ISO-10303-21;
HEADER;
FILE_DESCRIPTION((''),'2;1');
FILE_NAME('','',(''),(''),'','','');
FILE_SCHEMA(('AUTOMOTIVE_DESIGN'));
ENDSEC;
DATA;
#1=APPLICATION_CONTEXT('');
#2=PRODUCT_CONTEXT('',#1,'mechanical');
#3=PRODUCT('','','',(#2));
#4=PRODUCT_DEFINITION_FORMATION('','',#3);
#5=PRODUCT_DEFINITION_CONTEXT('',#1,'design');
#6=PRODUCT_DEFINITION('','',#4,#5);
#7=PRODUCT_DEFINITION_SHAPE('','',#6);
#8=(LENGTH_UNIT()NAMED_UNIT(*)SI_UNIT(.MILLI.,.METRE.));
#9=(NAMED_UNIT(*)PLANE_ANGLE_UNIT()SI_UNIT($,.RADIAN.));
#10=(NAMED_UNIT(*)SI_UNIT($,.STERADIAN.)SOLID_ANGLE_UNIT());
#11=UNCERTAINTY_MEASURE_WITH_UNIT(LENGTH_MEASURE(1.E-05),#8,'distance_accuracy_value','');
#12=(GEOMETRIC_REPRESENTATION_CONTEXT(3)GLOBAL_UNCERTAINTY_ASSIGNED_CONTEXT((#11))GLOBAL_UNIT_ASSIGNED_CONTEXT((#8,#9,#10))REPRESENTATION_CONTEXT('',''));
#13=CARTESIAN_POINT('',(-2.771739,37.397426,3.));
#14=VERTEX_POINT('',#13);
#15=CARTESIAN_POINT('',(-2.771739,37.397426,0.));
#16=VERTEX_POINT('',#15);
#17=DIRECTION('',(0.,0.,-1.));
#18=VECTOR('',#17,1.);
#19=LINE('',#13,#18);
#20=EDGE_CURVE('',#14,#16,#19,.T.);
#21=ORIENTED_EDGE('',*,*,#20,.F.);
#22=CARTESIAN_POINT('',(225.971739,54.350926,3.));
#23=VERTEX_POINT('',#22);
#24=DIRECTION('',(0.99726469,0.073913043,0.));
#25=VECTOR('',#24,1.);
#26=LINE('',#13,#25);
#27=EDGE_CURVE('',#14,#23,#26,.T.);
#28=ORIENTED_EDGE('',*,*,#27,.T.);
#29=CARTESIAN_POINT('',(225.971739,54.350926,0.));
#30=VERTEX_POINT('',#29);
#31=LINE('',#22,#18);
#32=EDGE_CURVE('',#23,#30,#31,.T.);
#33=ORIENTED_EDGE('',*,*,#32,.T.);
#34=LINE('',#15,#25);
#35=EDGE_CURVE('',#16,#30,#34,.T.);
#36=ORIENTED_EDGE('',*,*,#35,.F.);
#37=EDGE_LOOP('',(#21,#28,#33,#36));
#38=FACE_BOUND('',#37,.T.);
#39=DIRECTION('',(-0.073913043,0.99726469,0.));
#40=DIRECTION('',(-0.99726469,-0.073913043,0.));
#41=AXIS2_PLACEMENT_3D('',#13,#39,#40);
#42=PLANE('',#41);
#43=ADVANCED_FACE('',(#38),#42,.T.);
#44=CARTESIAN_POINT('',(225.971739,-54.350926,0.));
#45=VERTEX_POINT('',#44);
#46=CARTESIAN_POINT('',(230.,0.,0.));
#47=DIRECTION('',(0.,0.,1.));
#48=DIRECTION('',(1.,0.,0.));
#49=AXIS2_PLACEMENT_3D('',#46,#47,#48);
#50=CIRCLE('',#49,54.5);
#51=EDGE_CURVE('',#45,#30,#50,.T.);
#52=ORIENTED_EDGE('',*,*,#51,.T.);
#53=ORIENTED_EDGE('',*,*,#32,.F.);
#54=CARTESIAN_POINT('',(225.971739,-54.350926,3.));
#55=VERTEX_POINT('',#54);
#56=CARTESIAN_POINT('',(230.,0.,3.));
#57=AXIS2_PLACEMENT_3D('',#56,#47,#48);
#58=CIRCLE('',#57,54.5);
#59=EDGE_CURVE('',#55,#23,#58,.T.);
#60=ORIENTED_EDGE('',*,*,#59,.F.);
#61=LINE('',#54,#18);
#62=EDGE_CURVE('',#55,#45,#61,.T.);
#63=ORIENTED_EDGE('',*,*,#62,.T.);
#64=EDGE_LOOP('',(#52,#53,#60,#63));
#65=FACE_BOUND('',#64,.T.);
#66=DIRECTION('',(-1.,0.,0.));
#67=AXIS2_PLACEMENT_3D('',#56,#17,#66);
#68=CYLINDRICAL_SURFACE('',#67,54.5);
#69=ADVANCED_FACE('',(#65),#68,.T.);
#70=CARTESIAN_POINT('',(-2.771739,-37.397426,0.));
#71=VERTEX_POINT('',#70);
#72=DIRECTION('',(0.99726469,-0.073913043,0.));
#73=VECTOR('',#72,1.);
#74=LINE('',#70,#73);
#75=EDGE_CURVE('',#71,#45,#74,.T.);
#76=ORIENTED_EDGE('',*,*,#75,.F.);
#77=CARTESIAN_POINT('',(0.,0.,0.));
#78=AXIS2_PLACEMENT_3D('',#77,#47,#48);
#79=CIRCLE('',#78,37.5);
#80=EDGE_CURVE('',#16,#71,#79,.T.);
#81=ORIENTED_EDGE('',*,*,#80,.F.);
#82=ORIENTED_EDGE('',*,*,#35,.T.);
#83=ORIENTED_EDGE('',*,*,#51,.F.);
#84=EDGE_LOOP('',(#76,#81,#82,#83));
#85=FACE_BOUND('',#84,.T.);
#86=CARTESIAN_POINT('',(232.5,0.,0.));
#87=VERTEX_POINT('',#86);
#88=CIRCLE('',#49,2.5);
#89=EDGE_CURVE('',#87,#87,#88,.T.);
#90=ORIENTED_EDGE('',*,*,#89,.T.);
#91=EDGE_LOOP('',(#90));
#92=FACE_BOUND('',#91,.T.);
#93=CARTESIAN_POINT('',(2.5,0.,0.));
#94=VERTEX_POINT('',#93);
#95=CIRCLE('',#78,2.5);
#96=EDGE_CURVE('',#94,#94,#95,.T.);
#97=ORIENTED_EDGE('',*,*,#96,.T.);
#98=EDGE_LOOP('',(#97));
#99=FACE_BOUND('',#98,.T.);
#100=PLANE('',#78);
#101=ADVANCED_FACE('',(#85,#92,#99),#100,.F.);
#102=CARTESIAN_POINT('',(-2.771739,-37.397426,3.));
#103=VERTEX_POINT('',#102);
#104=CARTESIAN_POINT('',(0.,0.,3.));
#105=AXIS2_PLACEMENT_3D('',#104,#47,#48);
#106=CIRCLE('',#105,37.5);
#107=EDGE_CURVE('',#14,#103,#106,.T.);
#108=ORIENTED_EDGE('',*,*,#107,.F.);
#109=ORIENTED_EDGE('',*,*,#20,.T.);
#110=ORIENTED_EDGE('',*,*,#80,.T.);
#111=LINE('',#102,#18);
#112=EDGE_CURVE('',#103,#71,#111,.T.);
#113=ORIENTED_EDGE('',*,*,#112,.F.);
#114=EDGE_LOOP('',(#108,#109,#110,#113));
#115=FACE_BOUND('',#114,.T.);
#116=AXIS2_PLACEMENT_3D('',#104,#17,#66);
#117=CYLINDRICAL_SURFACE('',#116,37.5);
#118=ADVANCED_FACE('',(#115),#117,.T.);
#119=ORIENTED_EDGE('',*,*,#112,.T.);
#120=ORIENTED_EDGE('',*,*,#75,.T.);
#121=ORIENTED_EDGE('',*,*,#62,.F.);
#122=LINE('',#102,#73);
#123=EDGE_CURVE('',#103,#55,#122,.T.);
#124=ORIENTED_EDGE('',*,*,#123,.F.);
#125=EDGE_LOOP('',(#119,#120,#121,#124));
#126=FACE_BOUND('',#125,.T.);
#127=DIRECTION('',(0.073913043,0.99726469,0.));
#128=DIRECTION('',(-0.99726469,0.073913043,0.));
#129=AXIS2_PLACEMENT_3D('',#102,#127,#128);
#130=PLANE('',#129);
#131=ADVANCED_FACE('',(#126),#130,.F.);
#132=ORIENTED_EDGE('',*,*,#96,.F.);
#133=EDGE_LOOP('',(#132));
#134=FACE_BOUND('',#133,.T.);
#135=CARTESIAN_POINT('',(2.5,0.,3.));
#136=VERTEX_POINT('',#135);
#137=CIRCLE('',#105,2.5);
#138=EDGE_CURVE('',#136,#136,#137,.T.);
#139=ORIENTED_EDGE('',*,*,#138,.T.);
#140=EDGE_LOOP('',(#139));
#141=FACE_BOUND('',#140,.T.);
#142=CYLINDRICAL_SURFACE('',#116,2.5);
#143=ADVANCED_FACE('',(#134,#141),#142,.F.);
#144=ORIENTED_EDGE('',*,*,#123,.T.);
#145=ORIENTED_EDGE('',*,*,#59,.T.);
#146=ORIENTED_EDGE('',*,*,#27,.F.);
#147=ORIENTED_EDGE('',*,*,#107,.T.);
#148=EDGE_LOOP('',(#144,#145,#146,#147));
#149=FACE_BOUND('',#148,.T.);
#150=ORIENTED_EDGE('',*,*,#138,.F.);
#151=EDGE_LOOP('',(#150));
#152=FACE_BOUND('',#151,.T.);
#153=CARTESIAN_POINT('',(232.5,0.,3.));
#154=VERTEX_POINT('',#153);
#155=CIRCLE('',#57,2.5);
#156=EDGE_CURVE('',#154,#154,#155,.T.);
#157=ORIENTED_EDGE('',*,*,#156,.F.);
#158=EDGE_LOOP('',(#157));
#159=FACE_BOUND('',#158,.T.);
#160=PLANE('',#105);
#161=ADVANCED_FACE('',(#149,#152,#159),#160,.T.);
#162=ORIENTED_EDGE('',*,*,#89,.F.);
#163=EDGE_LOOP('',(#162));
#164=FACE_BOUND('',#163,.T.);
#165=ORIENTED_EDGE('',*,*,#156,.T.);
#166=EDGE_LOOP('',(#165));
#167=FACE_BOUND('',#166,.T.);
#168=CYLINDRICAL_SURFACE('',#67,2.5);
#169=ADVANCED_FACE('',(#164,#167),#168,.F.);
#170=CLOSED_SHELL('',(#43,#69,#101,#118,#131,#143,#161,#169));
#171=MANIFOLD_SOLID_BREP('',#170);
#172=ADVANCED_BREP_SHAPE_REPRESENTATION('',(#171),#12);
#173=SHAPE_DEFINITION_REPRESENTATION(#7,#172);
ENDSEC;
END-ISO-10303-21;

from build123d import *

# Parameters (mm, degrees)
SKETCH1_R           = 37.5
SKETCH1_R_2         = 2.5
SKETCH1_R_3         = 54.5
BOSS_EXTRUDE1_DEPTH = 3


with BuildPart() as part:
    # Sketch1 → Boss-Extrude1 (new body)
    with BuildSketch(Plane.XY):
        Circle(SKETCH1_R)
        Circle(SKETCH1_R_2, mode=Mode.SUBTRACT)
        with BuildLine():
            Line((225.97173913, 54.350925607), (-2.77173913, 37.397425877))
            ThreePointArc((-2.77173913, 37.397425877), (25.517736798, 27.478993953), (37.5, 0))
            ThreePointArc((37.5, 0), (25.517736798, -27.478993953), (-2.77173913, -37.397425877))
            Line((-2.77173913, -37.397425877), (225.97173913, -54.350925607))
            ThreePointArc((225.97173913, -54.350925607), (175.5, 0), (225.97173913, 54.350925607))
        make_face()
        with Locations((230, 0)):
            Circle(SKETCH1_R_3)
        with Locations((230, 0)):
            Circle(SKETCH1_R_2, mode=Mode.SUBTRACT)
    extrude(amount=BOSS_EXTRUDE1_DEPTH)


solid = part.part
